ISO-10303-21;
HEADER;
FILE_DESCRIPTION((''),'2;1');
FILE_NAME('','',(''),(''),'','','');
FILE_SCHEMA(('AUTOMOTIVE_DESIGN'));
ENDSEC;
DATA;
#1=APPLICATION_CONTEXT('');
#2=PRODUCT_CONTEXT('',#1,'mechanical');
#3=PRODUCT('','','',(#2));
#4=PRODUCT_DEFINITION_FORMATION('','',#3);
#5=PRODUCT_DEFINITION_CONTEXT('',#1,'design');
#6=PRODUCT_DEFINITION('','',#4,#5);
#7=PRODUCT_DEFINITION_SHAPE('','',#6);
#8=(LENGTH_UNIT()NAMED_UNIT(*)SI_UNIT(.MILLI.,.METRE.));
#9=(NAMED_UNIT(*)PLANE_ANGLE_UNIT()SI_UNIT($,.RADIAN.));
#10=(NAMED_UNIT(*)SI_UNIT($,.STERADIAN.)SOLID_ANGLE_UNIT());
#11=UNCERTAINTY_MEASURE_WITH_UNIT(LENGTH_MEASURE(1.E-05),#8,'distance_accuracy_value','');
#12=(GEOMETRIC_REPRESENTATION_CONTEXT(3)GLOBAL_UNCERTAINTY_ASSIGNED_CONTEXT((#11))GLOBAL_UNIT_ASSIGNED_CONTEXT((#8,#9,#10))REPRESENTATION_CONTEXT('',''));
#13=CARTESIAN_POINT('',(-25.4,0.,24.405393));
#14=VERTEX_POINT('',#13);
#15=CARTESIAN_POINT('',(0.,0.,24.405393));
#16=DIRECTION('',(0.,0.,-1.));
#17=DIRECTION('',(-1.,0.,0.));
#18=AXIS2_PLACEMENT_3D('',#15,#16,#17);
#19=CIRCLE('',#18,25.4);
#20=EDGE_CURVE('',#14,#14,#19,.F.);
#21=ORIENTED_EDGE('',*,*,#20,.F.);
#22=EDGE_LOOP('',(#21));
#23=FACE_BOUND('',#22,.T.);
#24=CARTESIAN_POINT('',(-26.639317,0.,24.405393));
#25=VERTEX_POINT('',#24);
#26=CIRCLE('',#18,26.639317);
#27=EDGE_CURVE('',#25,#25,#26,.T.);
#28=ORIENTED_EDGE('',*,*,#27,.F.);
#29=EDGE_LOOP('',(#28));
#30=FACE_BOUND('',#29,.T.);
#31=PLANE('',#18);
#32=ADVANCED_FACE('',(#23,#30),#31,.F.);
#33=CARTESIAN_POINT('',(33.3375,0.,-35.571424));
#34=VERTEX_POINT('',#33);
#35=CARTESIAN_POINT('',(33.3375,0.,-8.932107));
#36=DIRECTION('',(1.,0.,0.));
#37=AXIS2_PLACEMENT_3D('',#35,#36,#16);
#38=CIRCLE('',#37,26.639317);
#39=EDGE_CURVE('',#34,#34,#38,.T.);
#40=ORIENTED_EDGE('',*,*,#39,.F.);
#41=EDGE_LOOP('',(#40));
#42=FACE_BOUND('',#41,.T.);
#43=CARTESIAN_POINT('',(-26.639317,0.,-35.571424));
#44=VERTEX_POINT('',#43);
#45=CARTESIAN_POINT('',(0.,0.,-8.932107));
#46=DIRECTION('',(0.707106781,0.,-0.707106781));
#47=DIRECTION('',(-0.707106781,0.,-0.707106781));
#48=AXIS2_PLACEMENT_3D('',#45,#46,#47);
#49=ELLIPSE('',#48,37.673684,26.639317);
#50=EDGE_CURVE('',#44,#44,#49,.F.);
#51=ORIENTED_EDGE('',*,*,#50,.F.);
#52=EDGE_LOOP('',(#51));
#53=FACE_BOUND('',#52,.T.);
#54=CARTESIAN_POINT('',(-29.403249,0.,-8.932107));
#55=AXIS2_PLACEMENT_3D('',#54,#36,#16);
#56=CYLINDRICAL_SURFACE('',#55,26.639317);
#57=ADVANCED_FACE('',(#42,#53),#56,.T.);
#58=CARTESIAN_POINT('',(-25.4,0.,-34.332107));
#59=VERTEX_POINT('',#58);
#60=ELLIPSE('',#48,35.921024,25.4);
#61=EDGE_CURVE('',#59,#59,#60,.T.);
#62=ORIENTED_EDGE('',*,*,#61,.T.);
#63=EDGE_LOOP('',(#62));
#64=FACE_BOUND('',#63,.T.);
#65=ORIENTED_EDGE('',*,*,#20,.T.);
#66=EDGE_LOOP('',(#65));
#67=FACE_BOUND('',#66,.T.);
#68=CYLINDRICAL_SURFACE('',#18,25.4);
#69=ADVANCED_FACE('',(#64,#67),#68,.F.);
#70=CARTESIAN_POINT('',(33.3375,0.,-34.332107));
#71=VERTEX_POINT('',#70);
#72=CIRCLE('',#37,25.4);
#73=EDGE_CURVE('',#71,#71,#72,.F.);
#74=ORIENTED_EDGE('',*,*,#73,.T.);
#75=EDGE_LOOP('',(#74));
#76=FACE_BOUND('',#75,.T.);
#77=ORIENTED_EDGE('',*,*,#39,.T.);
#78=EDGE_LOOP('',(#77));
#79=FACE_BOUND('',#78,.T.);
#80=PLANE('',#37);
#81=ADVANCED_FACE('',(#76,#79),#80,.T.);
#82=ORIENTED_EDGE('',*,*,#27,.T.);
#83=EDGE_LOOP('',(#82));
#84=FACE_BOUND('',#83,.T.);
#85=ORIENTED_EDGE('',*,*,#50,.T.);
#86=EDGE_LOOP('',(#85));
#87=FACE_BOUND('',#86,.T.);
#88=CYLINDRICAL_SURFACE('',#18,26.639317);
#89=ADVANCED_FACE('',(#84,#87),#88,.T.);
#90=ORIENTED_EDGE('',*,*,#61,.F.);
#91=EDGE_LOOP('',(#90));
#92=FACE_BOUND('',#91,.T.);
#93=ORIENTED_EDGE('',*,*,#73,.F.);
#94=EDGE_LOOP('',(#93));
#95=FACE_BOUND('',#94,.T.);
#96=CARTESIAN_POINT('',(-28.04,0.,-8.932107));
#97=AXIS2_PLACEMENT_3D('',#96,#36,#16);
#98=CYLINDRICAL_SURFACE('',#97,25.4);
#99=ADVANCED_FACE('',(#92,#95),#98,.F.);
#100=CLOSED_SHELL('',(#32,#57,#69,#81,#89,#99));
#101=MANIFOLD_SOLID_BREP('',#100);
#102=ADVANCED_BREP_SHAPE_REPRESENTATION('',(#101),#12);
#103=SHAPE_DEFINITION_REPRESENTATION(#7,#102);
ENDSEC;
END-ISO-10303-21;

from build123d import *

# Parameters (mm, degrees)
SKETCH3_R   = 26.63931726
SKETCH3_R_2 = 25.4


with BuildPart() as part:
    # Sweep2: sweep along a path in Sketch2
    with BuildLine(Plane(origin=(0, 0, 0), x_dir=(1, 0, 0), z_dir=(0, 1, 0))) as sweep2_path:
        Line((0, -24.405392997), (0, 8.932107003))
        Line((0, 8.932107003), (33.3375, 8.932107003))
    # Sketch3 → Sweep2 (sweep)
    with BuildSketch(Plane(origin=(33.3375, 0, -8.932107003), x_dir=(0, 0, -1), z_dir=(1, 0, 0))):
        Circle(SKETCH3_R)
        Circle(SKETCH3_R_2, mode=Mode.SUBTRACT)
    sweep(path=sweep2_path.line, transition=Transition.RIGHT)


solid = part.part
